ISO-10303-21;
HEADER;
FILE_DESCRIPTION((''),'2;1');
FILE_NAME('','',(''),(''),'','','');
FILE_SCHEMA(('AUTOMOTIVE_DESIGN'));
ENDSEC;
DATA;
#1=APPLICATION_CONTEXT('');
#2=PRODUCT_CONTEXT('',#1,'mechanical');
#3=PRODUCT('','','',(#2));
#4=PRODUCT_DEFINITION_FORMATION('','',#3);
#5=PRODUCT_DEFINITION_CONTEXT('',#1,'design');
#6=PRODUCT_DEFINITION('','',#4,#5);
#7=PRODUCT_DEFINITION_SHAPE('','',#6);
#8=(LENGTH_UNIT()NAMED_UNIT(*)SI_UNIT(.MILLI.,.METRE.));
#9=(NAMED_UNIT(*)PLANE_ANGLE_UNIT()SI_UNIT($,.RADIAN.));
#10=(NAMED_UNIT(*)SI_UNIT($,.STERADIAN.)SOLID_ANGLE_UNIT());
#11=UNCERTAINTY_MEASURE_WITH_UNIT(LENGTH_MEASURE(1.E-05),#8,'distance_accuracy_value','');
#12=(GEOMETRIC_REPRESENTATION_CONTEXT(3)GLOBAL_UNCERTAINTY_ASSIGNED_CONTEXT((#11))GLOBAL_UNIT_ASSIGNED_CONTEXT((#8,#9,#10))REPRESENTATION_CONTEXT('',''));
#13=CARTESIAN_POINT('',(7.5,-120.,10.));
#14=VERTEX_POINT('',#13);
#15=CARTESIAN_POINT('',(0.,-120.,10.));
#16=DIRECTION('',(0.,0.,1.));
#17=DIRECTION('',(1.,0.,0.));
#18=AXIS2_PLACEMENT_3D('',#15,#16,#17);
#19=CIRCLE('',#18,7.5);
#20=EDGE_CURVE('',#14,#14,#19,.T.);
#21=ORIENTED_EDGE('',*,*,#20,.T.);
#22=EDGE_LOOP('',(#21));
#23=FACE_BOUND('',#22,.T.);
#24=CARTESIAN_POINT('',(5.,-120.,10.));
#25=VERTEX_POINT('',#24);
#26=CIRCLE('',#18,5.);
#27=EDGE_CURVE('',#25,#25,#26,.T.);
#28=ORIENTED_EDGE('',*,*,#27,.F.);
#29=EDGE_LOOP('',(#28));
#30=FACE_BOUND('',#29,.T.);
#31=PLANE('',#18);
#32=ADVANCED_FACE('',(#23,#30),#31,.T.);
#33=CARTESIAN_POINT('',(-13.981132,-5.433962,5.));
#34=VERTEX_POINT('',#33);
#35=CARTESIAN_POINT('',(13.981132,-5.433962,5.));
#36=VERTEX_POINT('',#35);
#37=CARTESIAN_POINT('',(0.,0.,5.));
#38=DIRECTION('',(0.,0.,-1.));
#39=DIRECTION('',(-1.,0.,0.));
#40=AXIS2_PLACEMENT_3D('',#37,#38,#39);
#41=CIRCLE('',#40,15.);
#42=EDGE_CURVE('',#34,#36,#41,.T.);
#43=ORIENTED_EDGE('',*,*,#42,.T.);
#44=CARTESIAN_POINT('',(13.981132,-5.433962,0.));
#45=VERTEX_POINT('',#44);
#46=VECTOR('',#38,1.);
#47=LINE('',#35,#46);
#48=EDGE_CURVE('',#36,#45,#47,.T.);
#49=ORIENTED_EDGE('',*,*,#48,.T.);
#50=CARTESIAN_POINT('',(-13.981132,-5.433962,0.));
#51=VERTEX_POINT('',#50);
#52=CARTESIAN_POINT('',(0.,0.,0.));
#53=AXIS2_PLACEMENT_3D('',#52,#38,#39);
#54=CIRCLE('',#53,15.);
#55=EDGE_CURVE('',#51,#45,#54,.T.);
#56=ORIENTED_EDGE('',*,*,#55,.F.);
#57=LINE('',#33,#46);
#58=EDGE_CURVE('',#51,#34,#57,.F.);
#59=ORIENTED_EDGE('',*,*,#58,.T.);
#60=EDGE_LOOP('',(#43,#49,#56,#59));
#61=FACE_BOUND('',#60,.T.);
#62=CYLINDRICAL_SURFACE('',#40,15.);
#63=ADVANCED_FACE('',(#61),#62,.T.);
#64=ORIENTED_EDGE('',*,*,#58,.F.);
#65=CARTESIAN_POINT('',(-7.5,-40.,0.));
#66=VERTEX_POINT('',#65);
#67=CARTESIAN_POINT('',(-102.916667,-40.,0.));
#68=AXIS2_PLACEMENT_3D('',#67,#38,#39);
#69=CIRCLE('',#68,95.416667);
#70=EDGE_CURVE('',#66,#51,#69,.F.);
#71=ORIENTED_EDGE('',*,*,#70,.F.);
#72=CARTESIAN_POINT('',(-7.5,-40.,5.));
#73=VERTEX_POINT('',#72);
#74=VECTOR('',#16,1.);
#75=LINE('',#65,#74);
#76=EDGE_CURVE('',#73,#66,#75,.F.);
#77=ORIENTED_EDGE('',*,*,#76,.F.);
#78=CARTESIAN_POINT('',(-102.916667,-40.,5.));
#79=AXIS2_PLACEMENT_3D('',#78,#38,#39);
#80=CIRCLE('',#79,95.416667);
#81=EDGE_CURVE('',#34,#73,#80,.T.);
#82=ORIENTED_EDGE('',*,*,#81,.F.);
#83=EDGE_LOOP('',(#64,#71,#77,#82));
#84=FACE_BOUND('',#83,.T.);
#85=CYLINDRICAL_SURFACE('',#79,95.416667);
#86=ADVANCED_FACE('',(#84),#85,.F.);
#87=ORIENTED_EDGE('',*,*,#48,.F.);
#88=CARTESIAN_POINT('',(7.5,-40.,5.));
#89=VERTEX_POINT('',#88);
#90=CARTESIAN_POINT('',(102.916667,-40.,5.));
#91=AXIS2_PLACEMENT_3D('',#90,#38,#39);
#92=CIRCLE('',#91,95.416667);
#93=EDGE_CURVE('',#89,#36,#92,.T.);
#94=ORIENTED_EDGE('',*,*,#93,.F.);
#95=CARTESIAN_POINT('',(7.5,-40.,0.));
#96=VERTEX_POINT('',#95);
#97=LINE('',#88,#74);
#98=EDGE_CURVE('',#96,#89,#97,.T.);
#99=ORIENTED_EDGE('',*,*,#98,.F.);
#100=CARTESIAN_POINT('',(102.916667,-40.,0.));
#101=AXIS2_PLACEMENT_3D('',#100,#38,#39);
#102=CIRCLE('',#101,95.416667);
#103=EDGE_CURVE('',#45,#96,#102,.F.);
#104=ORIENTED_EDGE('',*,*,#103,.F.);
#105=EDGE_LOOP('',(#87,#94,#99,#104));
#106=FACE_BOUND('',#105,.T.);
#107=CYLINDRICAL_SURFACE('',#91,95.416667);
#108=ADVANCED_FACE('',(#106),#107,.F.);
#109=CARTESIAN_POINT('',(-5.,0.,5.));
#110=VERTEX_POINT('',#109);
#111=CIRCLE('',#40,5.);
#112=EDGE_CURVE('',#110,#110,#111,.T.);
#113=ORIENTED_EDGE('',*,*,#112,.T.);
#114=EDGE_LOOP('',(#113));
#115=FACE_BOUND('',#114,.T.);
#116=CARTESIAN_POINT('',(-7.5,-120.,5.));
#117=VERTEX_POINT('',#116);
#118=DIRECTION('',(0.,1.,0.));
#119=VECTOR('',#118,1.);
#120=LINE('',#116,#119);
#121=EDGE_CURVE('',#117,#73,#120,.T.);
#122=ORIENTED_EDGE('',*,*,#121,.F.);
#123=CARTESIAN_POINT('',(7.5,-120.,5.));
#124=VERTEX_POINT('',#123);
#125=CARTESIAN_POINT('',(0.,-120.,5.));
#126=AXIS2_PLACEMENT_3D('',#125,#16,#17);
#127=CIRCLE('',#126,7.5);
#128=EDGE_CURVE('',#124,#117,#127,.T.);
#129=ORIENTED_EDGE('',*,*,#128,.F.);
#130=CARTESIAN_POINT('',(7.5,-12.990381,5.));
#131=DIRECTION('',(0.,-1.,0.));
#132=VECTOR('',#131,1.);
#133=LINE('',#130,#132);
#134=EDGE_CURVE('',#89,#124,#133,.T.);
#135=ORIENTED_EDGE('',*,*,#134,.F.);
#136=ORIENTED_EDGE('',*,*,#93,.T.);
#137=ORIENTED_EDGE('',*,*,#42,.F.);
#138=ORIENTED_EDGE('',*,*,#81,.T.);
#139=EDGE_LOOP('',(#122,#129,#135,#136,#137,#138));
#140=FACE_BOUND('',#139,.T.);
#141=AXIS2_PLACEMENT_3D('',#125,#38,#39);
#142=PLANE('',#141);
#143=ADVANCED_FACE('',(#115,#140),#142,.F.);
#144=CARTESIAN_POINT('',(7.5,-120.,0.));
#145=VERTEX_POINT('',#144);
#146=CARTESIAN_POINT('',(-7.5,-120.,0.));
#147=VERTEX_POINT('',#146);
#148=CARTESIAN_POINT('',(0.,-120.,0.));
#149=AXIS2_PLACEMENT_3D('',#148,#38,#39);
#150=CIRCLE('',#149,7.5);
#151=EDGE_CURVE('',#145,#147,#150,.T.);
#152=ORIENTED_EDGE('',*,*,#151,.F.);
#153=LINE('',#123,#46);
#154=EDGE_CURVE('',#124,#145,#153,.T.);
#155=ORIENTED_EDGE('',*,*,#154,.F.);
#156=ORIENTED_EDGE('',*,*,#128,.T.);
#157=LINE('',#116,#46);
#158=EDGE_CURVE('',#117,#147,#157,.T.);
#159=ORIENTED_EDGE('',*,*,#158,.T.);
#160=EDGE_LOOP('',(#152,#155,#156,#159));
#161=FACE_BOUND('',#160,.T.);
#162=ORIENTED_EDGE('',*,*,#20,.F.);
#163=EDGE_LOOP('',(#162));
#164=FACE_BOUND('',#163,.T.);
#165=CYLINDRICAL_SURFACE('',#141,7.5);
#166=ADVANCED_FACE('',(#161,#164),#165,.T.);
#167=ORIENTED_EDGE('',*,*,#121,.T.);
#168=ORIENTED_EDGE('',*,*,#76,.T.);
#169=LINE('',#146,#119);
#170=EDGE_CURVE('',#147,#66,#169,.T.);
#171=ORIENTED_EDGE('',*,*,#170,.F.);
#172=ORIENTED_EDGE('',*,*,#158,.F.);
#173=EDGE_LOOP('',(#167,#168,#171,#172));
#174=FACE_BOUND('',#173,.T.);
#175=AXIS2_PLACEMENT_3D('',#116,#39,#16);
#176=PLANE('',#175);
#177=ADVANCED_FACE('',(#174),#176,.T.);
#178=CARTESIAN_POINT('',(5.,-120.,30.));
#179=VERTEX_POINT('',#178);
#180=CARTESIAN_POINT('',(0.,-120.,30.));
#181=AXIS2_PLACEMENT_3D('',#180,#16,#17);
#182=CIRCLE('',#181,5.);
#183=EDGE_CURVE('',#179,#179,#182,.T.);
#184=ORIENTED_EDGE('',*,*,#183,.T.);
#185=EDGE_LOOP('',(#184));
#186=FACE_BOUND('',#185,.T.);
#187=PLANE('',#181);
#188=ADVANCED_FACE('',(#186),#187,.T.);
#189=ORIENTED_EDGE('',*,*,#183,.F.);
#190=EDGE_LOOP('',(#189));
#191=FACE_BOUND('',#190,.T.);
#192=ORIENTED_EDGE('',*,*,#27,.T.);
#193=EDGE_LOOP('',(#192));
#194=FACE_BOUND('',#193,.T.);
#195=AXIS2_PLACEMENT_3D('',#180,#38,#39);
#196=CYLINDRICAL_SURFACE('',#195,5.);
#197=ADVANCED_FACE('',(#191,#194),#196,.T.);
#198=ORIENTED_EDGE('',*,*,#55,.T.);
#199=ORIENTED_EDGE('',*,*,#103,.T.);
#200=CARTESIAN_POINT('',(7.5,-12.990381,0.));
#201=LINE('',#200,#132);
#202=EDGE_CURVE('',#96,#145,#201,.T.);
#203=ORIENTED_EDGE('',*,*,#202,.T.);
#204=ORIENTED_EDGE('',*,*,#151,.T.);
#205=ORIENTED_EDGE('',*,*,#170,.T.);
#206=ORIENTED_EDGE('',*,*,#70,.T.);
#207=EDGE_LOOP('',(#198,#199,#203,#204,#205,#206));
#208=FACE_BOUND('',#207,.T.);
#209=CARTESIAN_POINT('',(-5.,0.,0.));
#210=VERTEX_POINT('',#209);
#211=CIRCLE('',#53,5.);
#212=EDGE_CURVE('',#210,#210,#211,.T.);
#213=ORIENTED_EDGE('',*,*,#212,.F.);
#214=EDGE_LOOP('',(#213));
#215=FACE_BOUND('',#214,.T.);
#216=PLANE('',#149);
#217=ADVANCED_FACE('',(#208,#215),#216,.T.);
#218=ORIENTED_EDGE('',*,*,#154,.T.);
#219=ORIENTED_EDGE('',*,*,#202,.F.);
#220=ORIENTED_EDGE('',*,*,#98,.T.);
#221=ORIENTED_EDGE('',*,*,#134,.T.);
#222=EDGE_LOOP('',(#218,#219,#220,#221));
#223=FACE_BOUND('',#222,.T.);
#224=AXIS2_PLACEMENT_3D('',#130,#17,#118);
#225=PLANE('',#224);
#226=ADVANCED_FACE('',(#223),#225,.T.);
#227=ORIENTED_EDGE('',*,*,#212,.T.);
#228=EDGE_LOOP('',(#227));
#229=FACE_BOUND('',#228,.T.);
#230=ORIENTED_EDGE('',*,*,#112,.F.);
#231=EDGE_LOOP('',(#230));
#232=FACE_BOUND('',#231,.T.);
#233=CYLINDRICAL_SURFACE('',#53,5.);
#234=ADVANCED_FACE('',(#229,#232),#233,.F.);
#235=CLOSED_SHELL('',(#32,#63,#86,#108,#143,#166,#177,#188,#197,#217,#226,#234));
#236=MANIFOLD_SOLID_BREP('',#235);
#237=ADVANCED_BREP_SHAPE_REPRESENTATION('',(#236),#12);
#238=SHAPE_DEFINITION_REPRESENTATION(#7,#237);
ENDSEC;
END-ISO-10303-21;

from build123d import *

# Parameters (mm, degrees)
BOSS_EXTRUDE1_DEPTH            = 5
SKETCH2_R                      = 7.5
BOSS_EXTRUDE2_DEPTH            = 5
SKETCH3_R                      = 5
BOSS_EXTRUDE3_DEPTH            = 20
F_10_0_10_DIAMETER_HOLE1_D     = 10
F_10_0_10_DIAMETER_HOLE1_DEPTH = 30
FILLET1_R                      = 95.416666667


with BuildPart() as part:
    # Sketch1 → Boss-Extrude1 (new body)
    with BuildSketch(Plane(origin=(0, 0, 0), x_dir=(-1, 0, 0), z_dir=(0, 0, -1))):
        with BuildLine():
            Line((7.499999998, -120), (7.499999998, -12.990381057))
            ThreePointArc((7.499999998, -12.990381057), (-1e-09, 15.000000001), (-7.5, -12.990381057))
            Line((-7.5, -12.990381057), (-7.5, -120))
            ThreePointArc((-7.5, -120), (-1e-09, -127.499999999), (7.499999998, -120))
        make_face()
    extrude(amount=-BOSS_EXTRUDE1_DEPTH)

    # Sketch2 → Boss-Extrude2 (add)
    with BuildSketch(Plane.XY.offset(5)):
        with Locations((0, -120)):
            Circle(SKETCH2_R)
    extrude(amount=BOSS_EXTRUDE2_DEPTH)

    # Sketch3 → Boss-Extrude3 (add)
    with BuildSketch(Plane.XY.offset(10)):
        with Locations((0, -120)):
            Circle(SKETCH3_R)
    extrude(amount=BOSS_EXTRUDE3_DEPTH)

    # Ø10.0 (10) Diameter Hole1
    with Locations(Plane(origin=(0, 0, 0), x_dir=(-1, 0, 0), z_dir=(0, 0, -1))):
        with Locations((0, 0)):
            Hole(F_10_0_10_DIAMETER_HOLE1_D / 2, depth=F_10_0_10_DIAMETER_HOLE1_DEPTH)

    # Fillet1
    fillet1_edges = [part.edges().sort_by_distance(p)[0] for p in [
        (7.5, -12.990381057, 2.5),
        (-7.499999998, -12.990381057, 2.5),
    ]]
    fillet(fillet1_edges, radius=FILLET1_R)


solid = part.part
